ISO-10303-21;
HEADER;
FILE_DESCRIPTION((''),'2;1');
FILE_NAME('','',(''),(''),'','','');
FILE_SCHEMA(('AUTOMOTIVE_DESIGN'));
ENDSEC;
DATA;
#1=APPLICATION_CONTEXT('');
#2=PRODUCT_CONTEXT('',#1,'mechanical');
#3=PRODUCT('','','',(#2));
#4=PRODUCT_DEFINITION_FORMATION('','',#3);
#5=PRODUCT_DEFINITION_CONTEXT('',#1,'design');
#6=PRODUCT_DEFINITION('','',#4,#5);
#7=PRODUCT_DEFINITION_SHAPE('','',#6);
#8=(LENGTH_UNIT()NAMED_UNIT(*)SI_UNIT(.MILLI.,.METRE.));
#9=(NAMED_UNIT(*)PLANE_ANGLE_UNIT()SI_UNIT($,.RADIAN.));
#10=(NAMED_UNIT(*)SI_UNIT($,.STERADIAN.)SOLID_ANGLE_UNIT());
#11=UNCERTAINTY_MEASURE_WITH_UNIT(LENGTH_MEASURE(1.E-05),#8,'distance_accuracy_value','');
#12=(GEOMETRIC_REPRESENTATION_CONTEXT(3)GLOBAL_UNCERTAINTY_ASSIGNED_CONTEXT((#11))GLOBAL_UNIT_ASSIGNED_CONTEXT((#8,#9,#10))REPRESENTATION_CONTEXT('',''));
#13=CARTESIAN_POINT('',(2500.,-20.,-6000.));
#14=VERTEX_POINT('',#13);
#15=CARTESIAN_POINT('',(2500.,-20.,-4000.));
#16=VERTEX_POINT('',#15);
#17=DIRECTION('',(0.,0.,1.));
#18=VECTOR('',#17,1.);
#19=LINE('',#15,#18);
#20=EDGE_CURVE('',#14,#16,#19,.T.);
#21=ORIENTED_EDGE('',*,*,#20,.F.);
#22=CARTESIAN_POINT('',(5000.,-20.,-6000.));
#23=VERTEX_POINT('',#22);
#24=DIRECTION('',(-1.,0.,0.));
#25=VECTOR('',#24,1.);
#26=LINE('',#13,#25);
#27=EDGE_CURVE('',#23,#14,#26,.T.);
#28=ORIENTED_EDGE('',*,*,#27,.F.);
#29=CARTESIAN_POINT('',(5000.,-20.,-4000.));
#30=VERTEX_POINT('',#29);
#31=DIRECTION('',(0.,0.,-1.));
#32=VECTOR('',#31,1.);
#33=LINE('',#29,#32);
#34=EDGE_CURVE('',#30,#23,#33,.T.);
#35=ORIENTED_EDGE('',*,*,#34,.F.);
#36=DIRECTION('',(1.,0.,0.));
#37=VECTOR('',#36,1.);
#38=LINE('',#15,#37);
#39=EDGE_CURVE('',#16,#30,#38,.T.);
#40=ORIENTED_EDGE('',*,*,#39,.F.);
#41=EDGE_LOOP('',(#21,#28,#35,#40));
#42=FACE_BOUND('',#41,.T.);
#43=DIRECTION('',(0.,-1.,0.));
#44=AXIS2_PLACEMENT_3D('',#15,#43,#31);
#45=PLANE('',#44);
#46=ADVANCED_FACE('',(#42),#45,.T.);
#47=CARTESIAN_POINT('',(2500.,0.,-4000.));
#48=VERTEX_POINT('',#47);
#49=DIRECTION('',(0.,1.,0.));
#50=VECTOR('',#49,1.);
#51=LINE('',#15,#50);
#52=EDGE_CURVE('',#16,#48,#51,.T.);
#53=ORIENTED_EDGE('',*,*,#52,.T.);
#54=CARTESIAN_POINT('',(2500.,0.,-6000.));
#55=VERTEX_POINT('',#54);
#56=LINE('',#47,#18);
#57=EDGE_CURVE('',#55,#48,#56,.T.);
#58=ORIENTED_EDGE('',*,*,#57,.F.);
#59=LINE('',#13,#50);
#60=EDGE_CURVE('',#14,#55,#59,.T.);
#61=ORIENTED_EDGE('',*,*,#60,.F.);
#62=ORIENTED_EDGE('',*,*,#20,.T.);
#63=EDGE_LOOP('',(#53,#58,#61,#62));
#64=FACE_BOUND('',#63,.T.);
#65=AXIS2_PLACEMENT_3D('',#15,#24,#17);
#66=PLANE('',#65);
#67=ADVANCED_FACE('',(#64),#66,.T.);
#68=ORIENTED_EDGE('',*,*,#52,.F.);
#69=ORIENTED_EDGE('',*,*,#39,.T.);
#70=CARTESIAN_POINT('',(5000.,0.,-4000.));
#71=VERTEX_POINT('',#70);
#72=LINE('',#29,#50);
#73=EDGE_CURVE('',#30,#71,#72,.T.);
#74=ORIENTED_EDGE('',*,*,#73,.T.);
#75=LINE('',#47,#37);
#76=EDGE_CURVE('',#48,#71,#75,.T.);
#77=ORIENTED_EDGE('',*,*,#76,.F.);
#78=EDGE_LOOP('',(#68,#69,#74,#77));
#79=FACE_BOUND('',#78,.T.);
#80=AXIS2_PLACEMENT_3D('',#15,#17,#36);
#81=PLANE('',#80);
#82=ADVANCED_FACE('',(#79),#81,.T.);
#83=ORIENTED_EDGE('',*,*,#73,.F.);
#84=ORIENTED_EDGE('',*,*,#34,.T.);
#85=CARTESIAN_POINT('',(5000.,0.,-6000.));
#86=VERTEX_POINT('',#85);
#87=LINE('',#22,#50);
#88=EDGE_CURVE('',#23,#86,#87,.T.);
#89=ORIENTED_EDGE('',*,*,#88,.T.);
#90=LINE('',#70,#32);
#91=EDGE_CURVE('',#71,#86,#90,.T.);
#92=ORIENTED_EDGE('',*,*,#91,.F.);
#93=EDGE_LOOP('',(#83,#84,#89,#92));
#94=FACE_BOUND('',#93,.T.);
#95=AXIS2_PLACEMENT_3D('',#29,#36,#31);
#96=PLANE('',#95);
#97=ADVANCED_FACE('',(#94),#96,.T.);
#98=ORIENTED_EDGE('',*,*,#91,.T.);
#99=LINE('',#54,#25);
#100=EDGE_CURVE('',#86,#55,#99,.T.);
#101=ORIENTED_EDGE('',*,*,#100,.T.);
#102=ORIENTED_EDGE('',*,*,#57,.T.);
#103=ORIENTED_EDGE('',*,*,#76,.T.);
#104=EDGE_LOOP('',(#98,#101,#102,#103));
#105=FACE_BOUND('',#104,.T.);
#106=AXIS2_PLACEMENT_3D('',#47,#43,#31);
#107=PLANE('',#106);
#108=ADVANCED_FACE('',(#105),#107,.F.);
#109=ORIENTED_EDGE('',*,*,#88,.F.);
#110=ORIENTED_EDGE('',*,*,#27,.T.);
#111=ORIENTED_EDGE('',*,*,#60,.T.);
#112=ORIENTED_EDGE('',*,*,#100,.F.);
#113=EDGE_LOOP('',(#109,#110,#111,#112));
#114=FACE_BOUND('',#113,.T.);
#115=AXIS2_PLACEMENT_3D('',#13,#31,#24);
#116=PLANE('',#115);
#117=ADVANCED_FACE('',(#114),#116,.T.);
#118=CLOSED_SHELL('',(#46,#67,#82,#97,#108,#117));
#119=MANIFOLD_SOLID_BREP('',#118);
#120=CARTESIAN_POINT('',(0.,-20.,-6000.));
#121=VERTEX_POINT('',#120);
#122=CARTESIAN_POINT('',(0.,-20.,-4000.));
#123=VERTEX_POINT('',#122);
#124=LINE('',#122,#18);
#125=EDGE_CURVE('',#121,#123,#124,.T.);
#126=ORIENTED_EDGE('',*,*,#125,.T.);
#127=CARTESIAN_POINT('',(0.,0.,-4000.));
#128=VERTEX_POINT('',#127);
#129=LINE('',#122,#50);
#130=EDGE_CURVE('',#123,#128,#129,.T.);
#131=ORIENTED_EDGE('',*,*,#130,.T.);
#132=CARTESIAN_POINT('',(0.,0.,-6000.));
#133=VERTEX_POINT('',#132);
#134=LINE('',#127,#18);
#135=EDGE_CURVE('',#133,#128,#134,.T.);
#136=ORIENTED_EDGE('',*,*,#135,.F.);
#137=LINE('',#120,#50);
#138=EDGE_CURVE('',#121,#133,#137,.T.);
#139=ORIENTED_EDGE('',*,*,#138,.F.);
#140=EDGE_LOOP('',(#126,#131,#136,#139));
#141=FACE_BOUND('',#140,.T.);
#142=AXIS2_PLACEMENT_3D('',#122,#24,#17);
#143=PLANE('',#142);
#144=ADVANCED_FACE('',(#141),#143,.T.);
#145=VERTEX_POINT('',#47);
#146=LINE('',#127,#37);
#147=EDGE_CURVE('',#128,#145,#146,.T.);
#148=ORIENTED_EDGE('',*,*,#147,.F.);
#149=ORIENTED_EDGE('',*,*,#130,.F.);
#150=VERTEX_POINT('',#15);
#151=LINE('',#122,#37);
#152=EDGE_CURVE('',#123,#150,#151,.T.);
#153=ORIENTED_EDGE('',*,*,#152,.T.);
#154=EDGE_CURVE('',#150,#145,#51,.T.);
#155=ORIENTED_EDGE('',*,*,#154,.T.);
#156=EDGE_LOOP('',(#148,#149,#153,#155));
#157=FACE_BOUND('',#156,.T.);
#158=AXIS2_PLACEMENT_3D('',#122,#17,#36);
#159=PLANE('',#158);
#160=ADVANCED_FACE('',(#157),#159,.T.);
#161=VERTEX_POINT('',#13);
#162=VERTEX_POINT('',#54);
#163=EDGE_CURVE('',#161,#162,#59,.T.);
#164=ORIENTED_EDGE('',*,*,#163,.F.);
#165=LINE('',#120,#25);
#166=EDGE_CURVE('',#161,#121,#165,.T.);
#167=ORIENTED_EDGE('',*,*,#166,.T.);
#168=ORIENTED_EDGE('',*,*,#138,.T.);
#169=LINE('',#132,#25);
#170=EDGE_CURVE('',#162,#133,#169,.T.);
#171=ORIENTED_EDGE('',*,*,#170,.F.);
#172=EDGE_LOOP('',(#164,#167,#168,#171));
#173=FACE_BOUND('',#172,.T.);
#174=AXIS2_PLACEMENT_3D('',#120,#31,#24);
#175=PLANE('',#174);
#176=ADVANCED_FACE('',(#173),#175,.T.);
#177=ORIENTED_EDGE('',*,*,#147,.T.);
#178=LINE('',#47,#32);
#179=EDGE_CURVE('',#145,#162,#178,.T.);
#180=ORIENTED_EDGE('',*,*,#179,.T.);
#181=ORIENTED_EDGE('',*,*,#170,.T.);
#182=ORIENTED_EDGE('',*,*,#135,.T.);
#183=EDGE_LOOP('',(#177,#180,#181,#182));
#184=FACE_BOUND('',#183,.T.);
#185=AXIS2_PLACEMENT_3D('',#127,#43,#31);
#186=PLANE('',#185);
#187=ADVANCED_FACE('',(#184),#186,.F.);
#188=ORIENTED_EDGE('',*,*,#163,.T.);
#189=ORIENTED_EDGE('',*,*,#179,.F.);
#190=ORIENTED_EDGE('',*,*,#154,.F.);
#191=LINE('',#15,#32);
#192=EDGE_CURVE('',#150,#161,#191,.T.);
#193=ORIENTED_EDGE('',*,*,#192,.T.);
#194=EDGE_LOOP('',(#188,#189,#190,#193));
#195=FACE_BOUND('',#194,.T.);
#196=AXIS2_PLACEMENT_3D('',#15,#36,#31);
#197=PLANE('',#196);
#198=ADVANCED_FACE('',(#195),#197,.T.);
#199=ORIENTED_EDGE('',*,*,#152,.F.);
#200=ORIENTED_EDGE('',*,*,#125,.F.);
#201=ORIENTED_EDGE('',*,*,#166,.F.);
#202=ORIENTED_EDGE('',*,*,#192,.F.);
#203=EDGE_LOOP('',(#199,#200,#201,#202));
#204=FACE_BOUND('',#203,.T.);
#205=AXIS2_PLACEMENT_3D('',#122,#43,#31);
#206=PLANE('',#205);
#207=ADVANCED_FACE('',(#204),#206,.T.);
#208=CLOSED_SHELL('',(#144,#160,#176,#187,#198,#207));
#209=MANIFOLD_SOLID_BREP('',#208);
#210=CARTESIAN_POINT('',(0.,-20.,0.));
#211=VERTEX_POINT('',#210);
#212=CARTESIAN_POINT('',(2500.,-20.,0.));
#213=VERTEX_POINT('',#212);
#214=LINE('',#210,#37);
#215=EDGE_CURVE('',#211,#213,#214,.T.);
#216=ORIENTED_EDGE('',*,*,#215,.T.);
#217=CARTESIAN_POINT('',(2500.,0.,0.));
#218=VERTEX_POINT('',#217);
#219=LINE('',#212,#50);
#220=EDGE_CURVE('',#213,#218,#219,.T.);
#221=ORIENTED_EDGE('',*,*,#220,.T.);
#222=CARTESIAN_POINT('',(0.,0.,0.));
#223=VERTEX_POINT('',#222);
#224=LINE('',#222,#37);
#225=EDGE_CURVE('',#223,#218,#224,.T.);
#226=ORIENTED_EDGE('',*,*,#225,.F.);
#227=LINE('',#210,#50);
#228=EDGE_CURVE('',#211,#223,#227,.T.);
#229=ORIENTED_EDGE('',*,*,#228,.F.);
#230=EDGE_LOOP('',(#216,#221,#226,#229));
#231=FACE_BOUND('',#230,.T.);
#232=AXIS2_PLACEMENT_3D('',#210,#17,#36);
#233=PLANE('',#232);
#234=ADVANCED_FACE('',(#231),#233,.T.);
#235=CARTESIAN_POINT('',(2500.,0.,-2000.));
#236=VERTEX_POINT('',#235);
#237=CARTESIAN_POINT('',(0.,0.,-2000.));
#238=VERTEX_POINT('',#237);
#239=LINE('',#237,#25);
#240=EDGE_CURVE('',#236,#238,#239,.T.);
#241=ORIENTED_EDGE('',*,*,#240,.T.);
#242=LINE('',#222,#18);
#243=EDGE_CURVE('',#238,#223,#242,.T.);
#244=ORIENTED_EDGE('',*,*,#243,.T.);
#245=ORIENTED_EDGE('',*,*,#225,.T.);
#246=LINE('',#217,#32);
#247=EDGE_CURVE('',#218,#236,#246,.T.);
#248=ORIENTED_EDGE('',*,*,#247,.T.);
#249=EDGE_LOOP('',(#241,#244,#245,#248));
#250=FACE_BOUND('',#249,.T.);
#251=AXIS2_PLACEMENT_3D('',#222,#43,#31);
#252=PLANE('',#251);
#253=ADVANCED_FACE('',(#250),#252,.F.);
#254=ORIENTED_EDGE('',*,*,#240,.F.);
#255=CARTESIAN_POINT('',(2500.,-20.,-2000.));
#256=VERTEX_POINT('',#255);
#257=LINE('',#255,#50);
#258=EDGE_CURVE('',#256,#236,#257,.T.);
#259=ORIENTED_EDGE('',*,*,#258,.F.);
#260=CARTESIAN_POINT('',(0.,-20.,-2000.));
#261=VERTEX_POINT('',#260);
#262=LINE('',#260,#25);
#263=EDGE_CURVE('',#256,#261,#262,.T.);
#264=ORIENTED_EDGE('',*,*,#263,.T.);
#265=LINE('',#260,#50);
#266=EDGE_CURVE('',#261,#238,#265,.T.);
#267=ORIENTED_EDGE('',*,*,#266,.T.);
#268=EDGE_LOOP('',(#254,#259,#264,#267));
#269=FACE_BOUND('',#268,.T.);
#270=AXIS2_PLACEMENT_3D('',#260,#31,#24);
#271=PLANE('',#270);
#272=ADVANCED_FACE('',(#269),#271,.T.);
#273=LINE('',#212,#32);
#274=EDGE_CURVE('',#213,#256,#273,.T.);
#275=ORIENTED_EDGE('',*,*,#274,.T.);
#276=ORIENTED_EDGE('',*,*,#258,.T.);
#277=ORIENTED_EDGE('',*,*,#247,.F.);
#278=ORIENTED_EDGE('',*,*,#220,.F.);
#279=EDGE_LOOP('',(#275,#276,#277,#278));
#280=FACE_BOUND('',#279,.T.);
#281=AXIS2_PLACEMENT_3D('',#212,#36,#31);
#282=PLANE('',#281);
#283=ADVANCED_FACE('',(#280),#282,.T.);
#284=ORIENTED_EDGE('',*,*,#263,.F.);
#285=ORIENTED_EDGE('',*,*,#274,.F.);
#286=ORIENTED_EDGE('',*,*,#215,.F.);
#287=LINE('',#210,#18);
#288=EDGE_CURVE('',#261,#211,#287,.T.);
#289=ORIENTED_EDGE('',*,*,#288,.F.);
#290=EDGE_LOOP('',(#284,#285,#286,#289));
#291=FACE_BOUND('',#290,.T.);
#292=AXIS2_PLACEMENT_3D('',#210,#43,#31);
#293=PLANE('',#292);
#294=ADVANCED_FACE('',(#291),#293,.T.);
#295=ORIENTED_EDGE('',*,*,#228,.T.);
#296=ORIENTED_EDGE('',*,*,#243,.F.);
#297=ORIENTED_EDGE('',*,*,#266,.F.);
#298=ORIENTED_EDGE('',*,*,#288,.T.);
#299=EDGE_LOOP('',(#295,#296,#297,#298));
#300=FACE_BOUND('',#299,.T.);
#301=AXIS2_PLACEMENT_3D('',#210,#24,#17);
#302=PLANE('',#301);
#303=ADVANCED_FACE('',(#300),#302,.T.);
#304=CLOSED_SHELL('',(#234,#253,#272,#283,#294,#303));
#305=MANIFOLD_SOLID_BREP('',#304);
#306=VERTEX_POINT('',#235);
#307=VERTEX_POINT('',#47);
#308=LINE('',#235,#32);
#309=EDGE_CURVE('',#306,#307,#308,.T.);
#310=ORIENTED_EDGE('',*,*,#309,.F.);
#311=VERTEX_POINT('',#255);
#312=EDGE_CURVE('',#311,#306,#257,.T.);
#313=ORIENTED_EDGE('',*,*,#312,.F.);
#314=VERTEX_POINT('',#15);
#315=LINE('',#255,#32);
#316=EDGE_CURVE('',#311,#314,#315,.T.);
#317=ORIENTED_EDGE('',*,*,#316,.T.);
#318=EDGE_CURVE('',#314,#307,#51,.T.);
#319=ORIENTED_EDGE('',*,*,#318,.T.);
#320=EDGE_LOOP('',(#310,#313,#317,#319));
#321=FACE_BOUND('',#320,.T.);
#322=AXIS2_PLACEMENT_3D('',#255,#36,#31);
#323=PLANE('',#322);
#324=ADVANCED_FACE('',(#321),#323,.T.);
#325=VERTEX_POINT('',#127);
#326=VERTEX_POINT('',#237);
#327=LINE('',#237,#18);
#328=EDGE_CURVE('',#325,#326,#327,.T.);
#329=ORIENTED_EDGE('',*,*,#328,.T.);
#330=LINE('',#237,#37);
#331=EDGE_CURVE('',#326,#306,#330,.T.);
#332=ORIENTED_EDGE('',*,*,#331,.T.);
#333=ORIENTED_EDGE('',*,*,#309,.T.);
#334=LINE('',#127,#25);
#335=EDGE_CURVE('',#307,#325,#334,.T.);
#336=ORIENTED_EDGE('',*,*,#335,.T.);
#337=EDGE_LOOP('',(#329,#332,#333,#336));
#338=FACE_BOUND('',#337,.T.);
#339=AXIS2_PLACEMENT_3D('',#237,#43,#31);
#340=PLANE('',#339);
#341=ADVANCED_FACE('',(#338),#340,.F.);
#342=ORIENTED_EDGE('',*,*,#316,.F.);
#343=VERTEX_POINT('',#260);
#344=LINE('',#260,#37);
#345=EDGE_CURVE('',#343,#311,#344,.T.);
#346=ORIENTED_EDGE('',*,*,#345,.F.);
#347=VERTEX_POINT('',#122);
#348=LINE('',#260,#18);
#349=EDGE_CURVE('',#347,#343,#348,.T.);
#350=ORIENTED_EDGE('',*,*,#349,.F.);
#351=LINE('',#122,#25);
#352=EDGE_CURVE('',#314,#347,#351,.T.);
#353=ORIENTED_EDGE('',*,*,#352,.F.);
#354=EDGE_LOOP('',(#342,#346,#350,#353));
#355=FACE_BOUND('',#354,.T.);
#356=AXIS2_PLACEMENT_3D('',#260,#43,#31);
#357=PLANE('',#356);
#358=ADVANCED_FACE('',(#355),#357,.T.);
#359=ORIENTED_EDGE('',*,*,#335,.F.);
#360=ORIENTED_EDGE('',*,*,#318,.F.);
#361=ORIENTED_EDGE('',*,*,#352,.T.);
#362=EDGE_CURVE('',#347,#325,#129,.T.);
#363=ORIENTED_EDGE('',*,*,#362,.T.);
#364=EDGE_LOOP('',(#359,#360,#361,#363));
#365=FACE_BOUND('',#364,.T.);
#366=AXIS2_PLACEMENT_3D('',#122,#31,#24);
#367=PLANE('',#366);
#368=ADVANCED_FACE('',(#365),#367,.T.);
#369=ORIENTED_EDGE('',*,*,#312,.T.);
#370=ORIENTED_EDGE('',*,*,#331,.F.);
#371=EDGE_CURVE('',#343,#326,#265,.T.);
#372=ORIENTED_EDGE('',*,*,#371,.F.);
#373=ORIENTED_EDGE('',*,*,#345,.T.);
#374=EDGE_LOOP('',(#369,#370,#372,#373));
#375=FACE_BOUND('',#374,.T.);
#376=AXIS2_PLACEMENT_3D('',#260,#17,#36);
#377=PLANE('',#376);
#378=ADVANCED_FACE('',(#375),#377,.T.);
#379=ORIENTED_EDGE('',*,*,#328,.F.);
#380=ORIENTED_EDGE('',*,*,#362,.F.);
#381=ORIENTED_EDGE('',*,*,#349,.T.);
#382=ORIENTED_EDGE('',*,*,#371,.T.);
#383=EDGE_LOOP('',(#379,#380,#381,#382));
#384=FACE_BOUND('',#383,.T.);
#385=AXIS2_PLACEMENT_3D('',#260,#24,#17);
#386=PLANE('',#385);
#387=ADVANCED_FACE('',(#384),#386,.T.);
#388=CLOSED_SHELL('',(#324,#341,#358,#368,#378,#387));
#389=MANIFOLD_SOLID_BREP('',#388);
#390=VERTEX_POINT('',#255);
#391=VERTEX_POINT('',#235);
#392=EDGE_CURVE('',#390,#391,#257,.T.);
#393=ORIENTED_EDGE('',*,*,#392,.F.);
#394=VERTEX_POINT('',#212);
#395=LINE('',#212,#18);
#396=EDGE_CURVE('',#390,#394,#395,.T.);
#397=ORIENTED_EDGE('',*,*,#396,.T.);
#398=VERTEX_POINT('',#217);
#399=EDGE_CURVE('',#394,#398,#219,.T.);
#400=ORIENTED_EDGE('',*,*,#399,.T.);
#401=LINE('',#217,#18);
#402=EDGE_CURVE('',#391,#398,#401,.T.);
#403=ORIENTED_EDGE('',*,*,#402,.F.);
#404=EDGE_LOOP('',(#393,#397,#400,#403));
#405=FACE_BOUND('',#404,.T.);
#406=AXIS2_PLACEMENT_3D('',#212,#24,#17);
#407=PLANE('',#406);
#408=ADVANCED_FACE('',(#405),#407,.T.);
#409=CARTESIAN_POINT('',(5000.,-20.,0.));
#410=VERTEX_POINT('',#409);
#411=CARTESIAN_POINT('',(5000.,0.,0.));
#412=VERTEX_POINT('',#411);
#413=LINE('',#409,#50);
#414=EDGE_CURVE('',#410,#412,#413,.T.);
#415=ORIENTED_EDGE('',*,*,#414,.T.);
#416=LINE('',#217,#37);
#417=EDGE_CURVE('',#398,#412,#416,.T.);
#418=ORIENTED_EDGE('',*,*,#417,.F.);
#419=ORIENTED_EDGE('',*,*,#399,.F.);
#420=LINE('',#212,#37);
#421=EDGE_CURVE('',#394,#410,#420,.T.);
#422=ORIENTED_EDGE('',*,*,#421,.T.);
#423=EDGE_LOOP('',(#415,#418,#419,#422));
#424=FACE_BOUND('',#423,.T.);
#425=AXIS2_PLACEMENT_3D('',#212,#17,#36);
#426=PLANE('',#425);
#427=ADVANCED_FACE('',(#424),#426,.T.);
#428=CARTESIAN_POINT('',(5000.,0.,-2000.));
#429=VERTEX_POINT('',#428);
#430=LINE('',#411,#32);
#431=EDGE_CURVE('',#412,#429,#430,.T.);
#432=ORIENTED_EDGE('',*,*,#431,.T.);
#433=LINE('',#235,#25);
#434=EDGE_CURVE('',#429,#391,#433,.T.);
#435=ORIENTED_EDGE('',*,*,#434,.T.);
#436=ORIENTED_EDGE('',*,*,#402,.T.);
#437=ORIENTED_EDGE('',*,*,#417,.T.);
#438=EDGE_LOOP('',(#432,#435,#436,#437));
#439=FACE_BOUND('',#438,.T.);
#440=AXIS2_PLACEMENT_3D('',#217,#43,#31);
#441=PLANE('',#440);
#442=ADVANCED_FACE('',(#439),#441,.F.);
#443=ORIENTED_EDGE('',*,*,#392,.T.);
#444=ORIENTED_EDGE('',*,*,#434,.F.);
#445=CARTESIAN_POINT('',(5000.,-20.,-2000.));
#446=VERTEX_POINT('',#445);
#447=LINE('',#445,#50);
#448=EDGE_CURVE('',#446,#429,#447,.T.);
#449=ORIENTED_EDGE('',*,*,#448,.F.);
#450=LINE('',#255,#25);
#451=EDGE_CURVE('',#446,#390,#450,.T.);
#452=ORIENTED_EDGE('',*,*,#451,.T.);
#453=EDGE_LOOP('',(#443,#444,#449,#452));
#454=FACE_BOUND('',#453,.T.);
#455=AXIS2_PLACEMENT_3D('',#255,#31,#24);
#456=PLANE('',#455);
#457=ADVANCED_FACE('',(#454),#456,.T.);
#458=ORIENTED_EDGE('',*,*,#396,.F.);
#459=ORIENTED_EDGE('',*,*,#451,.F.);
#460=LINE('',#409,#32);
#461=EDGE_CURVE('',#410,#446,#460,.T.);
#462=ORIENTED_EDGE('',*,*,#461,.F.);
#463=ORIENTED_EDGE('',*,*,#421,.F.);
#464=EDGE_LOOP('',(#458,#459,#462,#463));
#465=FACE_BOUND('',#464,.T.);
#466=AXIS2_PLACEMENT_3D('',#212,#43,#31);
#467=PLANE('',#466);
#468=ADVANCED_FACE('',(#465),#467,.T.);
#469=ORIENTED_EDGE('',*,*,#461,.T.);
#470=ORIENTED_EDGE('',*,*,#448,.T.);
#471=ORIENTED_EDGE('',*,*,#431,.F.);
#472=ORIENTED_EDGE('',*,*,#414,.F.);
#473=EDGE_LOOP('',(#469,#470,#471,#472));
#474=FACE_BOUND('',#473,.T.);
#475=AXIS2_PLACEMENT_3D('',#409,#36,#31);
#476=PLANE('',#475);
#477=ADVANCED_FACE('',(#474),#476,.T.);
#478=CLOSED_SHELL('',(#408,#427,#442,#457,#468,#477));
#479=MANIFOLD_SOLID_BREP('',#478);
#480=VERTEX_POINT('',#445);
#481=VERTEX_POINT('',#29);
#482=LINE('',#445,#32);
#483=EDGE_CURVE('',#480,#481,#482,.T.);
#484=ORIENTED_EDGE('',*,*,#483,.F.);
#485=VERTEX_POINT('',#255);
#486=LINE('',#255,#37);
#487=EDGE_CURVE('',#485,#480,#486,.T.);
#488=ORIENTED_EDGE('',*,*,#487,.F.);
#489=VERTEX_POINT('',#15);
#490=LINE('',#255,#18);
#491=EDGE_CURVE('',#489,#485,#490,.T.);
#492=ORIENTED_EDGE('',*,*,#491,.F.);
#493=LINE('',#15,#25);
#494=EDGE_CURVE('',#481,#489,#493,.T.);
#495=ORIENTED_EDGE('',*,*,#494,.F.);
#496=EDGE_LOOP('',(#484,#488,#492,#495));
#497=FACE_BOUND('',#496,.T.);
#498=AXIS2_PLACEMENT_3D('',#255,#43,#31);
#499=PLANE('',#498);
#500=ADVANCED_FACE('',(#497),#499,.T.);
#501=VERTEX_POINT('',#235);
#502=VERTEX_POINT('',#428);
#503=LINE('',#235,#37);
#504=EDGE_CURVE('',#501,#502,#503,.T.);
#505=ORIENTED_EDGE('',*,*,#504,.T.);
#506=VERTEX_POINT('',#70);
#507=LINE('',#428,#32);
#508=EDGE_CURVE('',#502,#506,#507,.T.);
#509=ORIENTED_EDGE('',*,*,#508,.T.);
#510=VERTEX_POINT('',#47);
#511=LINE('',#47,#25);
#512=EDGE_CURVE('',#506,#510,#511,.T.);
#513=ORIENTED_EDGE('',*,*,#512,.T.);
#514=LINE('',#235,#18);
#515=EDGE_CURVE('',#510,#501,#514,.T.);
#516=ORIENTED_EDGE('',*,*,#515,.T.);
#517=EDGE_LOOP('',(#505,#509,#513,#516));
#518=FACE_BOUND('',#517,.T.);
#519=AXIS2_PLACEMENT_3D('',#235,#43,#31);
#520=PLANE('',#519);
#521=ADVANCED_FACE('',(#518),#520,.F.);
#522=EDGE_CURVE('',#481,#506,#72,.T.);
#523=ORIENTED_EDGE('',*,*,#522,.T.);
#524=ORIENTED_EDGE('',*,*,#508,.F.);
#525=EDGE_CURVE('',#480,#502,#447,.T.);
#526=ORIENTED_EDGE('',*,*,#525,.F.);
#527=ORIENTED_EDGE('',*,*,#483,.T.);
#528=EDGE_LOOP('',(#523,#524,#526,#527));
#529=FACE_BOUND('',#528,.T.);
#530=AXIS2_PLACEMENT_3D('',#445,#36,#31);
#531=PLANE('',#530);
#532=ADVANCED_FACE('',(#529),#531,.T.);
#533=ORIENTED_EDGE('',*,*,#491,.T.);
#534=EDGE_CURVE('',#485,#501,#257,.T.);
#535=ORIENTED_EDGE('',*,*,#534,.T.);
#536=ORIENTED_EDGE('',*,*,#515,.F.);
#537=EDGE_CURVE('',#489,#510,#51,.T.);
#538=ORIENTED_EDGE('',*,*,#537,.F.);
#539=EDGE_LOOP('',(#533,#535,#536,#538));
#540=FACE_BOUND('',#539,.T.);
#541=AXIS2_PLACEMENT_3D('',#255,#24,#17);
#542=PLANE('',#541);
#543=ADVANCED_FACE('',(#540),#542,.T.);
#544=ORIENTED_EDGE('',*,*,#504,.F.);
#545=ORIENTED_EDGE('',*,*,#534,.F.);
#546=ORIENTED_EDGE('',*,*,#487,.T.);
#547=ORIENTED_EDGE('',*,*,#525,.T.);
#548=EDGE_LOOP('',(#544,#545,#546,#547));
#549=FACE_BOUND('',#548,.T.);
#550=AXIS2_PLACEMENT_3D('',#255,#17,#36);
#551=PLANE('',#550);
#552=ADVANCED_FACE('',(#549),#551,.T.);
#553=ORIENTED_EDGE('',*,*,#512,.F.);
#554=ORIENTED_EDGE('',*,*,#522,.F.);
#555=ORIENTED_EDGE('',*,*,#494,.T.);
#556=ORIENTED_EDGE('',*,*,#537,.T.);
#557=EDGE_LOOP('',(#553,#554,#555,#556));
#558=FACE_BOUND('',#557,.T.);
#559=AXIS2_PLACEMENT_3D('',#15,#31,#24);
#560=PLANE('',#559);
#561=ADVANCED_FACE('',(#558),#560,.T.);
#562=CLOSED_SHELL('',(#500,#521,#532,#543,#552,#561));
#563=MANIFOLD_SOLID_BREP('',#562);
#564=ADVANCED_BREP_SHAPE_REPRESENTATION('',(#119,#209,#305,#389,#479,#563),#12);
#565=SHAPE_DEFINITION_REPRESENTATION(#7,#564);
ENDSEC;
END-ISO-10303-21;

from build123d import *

# Parameters (mm, degrees)
SKETCH_1_W               = 2500
SKETCH_1_H               = 2000
EXTRUDE_1_DEPTH          = 20
PATTERN_LINEAR_2_COUNT   = 3
PATTERN_LINEAR_2_PITCH   = 2000
PATTERN_LINEAR_2_2_COUNT = 2
PATTERN_LINEAR_2_2_PITCH = 2500


with BuildPart() as part:
    # 草图1 → 凸台-拉伸1 (new body)
    with BuildSketch(Plane(origin=(0, 0, 0), x_dir=(1, 0, 0), z_dir=(0, 1, 0))):
        with Locations((1250, 1000)):
            Rectangle(SKETCH_1_W, SKETCH_1_H)
    extrude(amount=-EXTRUDE_1_DEPTH)


with BuildPart() as pattern_linear_2_1:
    # 阵列(线性)2: pattern copy
    add(part.part.moved(Location(Vector(0, 0, -1) * (1 * PATTERN_LINEAR_2_PITCH))))


with BuildPart() as pattern_linear_2_2:
    # 阵列(线性)2: pattern copy
    add(part.part.moved(Location(Vector(0, 0, -1) * (2 * PATTERN_LINEAR_2_PITCH))))


with BuildPart() as pattern_linear_2_2_1:
    # Pattern Linear 2 2: pattern copy
    add(part.part.moved(Location(Vector(1, 0, 0) * (1 * PATTERN_LINEAR_2_2_PITCH))))


with BuildPart() as pattern_linear_2_2_2:
    # Pattern Linear 2 2: pattern copy
    add(pattern_linear_2_1.part.moved(Location(Vector(1, 0, 0) * (1 * PATTERN_LINEAR_2_2_PITCH))))


with BuildPart() as pattern_linear_2_2_3:
    # Pattern Linear 2 2: pattern copy
    add(pattern_linear_2_2.part.moved(Location(Vector(1, 0, 0) * (1 * PATTERN_LINEAR_2_2_PITCH))))


solid = Compound([part.part, pattern_linear_2_1.part, pattern_linear_2_2.part, pattern_linear_2_2_1.part, pattern_linear_2_2_2.part, pattern_linear_2_2_3.part])
